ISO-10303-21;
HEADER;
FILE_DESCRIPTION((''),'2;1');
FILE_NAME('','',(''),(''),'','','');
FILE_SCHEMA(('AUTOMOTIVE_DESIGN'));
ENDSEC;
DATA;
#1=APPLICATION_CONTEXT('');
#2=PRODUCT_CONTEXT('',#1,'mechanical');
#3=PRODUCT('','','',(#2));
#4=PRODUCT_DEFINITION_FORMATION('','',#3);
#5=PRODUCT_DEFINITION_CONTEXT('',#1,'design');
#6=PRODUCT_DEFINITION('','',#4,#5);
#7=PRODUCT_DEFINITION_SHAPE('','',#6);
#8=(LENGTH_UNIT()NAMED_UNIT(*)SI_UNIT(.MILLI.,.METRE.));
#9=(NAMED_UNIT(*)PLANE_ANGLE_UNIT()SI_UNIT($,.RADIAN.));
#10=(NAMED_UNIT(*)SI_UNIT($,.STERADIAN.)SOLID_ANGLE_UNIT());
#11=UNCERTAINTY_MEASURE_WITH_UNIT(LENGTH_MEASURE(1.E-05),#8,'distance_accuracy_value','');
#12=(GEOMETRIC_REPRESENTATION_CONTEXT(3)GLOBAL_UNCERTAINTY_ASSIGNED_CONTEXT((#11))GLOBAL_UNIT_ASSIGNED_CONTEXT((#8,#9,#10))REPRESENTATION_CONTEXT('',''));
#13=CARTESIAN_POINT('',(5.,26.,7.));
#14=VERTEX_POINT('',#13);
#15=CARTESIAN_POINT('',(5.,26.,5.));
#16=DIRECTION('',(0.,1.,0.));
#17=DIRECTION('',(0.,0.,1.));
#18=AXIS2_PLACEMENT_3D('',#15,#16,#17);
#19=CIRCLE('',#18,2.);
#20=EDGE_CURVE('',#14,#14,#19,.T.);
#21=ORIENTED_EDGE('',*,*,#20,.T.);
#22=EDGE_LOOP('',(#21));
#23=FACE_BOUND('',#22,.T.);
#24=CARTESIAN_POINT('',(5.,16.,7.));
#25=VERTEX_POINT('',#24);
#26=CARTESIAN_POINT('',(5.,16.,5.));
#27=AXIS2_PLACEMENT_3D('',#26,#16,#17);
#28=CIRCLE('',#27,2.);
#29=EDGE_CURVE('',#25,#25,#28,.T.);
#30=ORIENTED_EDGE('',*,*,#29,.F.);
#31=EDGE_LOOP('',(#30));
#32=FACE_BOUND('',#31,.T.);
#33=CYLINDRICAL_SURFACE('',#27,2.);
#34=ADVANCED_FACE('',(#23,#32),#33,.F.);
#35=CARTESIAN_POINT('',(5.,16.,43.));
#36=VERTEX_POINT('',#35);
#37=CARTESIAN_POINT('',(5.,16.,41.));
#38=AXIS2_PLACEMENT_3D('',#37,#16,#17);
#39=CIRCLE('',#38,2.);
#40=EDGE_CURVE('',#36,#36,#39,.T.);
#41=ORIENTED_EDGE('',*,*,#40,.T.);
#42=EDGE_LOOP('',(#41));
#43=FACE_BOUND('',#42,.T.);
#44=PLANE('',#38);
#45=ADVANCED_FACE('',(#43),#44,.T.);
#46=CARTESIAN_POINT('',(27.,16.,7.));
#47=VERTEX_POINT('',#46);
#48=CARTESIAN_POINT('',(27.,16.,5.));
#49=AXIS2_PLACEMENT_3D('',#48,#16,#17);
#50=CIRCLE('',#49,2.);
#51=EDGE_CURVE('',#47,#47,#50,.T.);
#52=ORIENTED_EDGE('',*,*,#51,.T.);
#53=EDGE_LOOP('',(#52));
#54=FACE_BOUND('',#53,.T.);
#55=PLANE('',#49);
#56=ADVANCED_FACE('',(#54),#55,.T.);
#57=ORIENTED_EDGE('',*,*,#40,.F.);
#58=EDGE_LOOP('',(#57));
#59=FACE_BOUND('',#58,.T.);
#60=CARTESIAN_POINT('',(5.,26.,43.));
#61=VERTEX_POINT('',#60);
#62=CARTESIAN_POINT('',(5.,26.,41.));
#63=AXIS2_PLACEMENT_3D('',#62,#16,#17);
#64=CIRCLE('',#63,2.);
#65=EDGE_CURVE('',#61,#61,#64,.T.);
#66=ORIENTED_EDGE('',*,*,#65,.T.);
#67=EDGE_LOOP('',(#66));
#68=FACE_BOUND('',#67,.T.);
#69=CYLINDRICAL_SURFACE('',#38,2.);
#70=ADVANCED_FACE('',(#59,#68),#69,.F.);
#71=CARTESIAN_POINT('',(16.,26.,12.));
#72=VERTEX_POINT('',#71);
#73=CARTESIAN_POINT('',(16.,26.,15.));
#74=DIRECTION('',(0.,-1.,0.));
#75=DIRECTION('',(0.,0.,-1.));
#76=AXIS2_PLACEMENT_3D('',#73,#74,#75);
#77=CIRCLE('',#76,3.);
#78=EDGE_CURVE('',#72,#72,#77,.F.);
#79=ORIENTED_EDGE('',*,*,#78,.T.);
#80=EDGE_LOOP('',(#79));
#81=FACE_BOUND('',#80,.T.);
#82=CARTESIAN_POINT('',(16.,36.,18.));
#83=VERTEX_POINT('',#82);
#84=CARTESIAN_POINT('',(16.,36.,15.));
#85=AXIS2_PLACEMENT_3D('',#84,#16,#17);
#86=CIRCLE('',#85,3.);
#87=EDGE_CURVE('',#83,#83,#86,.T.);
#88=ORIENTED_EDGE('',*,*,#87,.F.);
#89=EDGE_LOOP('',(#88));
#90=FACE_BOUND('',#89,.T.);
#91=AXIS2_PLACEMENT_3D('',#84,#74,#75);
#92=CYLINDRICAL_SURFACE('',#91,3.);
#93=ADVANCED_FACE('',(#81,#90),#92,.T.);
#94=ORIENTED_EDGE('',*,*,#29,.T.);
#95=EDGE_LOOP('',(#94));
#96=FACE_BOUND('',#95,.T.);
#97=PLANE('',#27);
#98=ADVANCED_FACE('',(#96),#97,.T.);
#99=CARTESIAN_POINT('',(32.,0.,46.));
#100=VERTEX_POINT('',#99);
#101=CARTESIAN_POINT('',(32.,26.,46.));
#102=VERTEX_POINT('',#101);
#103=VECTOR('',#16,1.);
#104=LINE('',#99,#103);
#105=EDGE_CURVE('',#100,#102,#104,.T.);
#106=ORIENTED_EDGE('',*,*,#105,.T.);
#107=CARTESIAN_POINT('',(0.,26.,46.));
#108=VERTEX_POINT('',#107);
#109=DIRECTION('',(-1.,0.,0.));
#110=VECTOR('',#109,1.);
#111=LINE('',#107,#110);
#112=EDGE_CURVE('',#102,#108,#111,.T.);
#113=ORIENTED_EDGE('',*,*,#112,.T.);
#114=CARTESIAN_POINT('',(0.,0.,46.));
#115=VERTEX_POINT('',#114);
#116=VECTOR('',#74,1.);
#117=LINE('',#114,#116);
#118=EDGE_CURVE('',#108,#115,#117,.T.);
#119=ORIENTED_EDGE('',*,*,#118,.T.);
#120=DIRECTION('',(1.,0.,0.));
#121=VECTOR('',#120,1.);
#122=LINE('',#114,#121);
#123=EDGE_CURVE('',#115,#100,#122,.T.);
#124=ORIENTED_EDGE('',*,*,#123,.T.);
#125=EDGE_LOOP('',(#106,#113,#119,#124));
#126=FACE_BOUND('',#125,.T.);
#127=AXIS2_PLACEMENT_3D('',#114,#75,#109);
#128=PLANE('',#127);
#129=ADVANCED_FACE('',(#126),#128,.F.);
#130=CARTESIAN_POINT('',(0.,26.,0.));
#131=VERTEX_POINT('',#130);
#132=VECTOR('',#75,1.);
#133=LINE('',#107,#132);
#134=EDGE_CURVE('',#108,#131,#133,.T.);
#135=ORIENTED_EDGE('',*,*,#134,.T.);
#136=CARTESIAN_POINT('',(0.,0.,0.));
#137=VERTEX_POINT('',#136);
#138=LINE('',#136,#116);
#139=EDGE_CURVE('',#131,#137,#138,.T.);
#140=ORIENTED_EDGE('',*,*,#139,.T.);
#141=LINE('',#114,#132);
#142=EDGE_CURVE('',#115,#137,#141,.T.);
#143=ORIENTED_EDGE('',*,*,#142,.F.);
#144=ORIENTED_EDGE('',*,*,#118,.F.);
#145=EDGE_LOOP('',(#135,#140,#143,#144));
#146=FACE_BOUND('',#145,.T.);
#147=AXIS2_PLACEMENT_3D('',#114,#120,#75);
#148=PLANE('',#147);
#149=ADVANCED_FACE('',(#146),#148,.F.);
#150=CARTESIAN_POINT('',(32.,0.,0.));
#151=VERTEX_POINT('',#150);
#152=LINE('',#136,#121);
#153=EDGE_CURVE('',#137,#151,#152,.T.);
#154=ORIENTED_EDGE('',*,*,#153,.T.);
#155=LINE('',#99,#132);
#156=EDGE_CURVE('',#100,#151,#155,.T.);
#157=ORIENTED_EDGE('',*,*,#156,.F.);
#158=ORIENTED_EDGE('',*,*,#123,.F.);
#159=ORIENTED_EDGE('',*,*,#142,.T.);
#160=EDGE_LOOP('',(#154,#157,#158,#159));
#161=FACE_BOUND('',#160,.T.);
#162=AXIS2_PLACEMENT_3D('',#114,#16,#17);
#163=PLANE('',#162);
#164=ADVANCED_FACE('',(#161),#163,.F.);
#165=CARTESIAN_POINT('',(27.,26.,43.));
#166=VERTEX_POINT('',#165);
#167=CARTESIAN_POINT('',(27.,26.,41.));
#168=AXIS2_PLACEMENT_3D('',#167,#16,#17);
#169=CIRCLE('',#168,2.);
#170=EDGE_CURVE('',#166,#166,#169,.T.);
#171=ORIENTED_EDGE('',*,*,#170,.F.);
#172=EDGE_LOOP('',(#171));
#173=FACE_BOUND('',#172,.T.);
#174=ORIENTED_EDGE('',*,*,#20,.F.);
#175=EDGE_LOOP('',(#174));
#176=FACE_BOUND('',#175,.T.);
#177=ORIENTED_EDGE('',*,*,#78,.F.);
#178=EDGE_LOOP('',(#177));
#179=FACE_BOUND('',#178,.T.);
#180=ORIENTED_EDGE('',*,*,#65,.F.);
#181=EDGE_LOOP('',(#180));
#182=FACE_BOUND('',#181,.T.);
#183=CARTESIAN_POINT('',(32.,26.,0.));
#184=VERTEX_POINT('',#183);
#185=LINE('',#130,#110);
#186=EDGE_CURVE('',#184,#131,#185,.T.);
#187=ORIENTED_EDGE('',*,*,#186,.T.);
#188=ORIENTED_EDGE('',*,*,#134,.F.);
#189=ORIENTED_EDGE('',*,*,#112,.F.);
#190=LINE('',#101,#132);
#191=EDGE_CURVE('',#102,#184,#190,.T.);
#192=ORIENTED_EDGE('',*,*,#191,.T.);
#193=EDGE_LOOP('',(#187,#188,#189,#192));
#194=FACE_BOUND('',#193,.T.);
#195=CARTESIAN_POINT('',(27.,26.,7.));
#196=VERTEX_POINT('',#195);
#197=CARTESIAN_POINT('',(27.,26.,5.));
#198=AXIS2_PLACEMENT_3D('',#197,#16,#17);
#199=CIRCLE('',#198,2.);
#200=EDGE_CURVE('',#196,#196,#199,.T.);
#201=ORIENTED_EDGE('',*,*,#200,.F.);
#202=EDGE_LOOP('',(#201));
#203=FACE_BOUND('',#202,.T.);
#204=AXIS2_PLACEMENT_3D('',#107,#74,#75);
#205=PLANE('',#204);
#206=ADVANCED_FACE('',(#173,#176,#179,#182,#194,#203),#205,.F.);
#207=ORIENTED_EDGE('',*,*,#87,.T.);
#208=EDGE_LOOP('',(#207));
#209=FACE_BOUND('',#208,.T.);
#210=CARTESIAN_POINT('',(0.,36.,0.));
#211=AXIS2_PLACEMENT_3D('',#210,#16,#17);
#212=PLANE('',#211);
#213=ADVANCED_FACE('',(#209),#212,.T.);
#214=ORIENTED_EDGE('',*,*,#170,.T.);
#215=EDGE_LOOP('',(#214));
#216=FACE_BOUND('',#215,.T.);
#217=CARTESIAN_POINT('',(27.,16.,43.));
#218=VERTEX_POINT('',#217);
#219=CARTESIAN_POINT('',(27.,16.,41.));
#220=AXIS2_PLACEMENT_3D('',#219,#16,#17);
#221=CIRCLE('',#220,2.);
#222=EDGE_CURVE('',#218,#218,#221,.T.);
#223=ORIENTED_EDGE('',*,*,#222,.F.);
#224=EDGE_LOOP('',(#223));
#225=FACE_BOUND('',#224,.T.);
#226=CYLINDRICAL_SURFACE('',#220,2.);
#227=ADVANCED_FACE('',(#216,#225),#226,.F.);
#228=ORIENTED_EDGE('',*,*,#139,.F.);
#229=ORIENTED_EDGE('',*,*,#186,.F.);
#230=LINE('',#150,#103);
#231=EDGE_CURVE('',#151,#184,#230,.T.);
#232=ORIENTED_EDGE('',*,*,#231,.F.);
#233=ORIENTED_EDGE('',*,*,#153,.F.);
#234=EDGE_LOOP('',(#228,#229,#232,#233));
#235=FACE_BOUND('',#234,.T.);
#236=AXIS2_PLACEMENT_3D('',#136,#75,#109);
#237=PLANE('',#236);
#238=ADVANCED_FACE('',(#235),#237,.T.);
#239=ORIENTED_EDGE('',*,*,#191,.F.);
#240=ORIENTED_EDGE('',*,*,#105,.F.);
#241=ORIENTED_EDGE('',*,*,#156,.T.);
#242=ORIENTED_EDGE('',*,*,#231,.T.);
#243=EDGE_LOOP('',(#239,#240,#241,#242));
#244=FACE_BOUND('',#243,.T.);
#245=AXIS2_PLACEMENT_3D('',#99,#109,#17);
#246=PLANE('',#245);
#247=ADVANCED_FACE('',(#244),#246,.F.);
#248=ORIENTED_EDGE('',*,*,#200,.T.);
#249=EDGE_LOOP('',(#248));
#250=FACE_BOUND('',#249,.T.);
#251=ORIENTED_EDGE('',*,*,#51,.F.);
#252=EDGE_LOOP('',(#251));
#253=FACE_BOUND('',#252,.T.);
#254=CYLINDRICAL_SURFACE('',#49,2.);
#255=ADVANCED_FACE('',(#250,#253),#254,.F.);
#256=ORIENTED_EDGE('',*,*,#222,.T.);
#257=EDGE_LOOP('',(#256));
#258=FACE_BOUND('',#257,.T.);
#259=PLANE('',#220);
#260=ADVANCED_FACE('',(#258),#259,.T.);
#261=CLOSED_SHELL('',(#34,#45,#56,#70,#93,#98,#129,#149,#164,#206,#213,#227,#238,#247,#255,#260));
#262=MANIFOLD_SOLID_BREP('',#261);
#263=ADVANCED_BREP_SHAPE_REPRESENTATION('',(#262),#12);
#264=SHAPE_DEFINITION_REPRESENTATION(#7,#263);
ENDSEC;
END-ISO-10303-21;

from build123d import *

# Parameters (mm, degrees)
SKETCH2_W            = 32
SKETCH2_H            = 26
BASE_DEPTH           = 46
SKETCH3_R            = 2
MOUNTING_HOLES_DEPTH = 10
SKETCH4_R            = 3
AXLE_DEPTH           = 10


with BuildPart() as part:
    # Sketch2 → base (new body)
    with BuildSketch(Plane.XY):
        with Locations((16, 13)):
            Rectangle(SKETCH2_W, SKETCH2_H)
    extrude(amount=BASE_DEPTH)

    # Sketch3 → mounting holes (cut)
    with BuildSketch(Plane(origin=(0, 26, 0), x_dir=(1, 0, 0), z_dir=(0, 1, 0))):
        with Locations((5, -5)):
            Circle(SKETCH3_R)
        with Locations((27, -5)):
            Circle(SKETCH3_R)
        with Locations((27, -41)):
            Circle(SKETCH3_R)
        with Locations((5, -41)):
            Circle(SKETCH3_R)
    extrude(amount=-MOUNTING_HOLES_DEPTH, mode=Mode.SUBTRACT)

    # Sketch4 → axle (add)
    with BuildSketch(Plane(origin=(0, 26, 0), x_dir=(1, 0, 0), z_dir=(0, 1, 0))):
        with Locations((16, -15)):
            Circle(SKETCH4_R)
    extrude(amount=AXLE_DEPTH)


solid = part.part
